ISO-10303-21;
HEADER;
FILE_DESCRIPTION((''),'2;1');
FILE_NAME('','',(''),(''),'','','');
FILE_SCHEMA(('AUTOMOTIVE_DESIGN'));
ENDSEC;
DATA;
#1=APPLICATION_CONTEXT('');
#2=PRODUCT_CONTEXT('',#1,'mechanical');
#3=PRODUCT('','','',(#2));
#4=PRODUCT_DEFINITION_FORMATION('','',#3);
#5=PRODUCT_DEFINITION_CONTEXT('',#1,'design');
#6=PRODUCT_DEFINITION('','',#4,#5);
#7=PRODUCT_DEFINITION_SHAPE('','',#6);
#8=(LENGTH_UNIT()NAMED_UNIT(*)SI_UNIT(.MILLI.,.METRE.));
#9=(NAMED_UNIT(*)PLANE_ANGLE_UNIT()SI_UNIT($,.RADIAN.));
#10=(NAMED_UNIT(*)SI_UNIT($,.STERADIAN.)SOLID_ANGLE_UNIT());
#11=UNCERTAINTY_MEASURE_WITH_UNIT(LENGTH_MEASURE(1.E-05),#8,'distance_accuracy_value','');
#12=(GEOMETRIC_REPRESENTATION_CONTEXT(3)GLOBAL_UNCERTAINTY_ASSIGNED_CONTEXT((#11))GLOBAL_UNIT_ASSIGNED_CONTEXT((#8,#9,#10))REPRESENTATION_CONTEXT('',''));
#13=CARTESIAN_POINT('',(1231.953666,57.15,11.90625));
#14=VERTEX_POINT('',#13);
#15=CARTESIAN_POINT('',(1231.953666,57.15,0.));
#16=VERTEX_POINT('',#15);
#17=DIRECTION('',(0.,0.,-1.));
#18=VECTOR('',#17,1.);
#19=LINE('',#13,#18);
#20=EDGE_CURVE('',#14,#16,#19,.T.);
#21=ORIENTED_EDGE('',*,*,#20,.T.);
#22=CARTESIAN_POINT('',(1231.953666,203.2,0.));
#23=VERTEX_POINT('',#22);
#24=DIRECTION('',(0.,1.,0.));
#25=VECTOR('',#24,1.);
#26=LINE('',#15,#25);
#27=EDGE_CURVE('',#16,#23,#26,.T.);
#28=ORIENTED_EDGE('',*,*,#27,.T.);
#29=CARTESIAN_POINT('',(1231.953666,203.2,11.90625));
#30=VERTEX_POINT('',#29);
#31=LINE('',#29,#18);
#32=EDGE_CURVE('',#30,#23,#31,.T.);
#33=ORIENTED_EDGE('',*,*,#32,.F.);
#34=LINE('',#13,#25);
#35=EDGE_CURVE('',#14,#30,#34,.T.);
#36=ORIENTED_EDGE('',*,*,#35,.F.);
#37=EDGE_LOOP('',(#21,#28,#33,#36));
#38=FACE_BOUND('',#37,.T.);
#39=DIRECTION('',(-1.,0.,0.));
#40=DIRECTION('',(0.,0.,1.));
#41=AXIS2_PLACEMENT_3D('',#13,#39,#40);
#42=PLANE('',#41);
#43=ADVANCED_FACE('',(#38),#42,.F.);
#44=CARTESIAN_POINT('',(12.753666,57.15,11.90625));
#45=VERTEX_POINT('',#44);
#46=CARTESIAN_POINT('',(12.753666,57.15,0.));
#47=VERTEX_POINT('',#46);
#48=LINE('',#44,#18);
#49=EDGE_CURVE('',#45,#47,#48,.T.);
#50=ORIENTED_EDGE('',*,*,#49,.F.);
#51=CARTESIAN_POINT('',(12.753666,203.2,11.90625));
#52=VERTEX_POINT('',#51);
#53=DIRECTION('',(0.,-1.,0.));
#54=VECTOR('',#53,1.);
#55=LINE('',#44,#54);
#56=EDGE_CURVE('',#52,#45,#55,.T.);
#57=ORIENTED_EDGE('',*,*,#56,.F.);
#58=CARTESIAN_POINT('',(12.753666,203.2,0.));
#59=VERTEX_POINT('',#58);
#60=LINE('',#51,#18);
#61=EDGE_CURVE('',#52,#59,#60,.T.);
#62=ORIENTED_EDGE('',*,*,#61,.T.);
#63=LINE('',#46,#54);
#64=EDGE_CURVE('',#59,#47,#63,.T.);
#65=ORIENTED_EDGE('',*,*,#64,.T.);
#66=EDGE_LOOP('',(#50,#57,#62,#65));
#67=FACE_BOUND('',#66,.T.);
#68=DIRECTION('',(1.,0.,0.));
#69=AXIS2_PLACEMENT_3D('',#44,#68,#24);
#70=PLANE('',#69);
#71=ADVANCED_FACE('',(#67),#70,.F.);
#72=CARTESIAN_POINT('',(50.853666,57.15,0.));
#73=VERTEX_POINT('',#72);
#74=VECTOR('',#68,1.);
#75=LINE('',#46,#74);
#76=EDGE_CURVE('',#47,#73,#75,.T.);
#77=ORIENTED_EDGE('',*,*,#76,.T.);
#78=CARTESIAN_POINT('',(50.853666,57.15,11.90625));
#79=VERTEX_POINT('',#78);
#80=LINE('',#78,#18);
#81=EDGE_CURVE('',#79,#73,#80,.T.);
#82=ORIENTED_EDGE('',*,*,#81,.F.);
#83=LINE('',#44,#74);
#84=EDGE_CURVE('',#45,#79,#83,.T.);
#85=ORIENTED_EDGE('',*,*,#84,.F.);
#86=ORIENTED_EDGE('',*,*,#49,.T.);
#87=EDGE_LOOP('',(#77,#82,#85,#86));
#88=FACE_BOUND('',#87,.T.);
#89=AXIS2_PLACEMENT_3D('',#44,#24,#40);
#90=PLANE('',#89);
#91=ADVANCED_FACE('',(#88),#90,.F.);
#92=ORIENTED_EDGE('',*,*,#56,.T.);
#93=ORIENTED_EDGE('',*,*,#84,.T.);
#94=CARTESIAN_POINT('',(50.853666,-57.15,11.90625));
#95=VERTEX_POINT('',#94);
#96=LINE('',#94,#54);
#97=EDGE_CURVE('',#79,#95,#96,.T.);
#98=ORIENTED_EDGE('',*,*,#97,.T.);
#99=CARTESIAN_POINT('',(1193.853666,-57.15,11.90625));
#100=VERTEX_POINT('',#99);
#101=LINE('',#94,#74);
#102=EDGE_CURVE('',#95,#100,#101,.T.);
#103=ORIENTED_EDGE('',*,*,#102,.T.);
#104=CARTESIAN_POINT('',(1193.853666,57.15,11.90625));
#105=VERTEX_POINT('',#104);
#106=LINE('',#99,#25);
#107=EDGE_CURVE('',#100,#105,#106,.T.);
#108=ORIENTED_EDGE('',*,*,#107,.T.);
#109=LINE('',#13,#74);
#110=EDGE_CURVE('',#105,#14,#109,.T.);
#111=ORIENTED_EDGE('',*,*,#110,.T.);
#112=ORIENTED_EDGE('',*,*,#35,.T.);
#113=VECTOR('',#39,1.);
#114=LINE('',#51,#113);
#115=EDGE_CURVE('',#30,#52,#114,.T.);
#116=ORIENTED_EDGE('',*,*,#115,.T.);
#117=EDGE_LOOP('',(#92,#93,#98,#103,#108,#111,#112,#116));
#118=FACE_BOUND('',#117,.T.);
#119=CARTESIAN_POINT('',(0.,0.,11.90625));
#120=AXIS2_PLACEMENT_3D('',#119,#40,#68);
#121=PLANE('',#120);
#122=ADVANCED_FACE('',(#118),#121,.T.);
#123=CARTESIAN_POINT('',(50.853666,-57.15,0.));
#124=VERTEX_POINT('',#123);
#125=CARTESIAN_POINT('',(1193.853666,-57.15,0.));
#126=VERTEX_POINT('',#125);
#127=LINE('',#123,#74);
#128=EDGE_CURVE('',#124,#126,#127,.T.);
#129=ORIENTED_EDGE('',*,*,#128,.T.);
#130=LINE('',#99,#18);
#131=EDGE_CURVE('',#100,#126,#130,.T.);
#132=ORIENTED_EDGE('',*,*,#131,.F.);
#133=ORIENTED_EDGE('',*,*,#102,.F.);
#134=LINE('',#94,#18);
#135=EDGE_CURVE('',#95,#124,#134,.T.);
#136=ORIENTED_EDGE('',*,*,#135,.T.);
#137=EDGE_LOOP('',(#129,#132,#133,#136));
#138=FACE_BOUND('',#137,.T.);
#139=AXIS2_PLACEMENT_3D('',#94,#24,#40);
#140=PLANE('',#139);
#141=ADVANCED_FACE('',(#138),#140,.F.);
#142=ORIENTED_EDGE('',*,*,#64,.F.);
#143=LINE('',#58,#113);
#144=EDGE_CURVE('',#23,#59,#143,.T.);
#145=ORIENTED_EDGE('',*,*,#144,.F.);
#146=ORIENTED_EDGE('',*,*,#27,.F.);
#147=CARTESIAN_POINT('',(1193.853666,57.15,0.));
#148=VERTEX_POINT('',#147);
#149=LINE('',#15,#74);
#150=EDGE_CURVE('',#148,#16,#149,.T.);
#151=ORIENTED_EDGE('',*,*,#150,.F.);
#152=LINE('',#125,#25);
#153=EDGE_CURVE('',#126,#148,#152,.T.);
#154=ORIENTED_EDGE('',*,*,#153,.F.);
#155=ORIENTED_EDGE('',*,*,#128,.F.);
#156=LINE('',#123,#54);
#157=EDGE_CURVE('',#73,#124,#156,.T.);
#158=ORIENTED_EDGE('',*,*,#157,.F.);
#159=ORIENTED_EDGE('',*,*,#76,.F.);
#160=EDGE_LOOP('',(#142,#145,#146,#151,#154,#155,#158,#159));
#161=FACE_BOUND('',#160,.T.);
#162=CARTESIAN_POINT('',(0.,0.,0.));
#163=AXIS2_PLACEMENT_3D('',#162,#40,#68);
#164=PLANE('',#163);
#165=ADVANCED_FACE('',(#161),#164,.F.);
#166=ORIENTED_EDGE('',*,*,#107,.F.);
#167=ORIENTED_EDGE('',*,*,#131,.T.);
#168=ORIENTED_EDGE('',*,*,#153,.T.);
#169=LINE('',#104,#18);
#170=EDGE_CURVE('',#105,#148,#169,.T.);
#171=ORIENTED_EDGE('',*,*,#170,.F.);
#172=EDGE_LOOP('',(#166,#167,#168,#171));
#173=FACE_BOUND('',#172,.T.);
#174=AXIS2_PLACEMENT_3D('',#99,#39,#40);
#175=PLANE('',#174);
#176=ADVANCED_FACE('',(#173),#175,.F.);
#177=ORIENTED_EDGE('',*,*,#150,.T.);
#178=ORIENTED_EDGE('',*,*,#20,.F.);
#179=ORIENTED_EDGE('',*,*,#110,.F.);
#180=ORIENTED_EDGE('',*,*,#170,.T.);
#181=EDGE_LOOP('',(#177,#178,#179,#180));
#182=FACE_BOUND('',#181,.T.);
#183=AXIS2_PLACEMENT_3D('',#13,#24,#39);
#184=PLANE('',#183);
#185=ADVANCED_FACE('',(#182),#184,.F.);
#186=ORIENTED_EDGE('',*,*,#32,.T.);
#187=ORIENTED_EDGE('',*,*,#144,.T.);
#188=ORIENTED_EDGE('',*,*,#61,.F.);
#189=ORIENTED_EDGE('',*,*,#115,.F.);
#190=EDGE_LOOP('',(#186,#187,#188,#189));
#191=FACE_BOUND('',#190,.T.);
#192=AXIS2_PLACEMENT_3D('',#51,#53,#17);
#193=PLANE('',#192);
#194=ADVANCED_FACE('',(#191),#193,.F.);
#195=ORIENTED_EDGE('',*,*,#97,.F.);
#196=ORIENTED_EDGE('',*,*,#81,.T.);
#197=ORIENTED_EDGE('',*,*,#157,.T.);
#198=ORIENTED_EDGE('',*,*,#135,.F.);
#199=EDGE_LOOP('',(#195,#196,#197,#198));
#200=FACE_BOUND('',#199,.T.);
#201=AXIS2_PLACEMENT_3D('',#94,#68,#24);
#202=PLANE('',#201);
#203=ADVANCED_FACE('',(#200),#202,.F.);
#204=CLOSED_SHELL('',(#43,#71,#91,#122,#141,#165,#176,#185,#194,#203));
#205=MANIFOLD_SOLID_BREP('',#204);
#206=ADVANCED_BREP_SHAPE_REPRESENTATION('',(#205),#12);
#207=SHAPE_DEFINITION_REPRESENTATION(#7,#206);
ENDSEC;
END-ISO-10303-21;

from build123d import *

# Parameters (mm, degrees)
BOSS_EXTRUDE1_DEPTH = 11.90625


with BuildPart() as part:
    # Sketch1 → Boss-Extrude1 (new body)
    with BuildSketch(Plane.XY):
        Polygon((50.853666255, -57.15), (1193.853666255, -57.15), (1193.853666255, 57.15), (1231.953666255, 57.15), (1231.953666255, 203.2), (12.753666255, 203.2), (12.753666255, 57.15), (50.853666255, 57.15), align=None)
    extrude(amount=BOSS_EXTRUDE1_DEPTH)


solid = part.part
